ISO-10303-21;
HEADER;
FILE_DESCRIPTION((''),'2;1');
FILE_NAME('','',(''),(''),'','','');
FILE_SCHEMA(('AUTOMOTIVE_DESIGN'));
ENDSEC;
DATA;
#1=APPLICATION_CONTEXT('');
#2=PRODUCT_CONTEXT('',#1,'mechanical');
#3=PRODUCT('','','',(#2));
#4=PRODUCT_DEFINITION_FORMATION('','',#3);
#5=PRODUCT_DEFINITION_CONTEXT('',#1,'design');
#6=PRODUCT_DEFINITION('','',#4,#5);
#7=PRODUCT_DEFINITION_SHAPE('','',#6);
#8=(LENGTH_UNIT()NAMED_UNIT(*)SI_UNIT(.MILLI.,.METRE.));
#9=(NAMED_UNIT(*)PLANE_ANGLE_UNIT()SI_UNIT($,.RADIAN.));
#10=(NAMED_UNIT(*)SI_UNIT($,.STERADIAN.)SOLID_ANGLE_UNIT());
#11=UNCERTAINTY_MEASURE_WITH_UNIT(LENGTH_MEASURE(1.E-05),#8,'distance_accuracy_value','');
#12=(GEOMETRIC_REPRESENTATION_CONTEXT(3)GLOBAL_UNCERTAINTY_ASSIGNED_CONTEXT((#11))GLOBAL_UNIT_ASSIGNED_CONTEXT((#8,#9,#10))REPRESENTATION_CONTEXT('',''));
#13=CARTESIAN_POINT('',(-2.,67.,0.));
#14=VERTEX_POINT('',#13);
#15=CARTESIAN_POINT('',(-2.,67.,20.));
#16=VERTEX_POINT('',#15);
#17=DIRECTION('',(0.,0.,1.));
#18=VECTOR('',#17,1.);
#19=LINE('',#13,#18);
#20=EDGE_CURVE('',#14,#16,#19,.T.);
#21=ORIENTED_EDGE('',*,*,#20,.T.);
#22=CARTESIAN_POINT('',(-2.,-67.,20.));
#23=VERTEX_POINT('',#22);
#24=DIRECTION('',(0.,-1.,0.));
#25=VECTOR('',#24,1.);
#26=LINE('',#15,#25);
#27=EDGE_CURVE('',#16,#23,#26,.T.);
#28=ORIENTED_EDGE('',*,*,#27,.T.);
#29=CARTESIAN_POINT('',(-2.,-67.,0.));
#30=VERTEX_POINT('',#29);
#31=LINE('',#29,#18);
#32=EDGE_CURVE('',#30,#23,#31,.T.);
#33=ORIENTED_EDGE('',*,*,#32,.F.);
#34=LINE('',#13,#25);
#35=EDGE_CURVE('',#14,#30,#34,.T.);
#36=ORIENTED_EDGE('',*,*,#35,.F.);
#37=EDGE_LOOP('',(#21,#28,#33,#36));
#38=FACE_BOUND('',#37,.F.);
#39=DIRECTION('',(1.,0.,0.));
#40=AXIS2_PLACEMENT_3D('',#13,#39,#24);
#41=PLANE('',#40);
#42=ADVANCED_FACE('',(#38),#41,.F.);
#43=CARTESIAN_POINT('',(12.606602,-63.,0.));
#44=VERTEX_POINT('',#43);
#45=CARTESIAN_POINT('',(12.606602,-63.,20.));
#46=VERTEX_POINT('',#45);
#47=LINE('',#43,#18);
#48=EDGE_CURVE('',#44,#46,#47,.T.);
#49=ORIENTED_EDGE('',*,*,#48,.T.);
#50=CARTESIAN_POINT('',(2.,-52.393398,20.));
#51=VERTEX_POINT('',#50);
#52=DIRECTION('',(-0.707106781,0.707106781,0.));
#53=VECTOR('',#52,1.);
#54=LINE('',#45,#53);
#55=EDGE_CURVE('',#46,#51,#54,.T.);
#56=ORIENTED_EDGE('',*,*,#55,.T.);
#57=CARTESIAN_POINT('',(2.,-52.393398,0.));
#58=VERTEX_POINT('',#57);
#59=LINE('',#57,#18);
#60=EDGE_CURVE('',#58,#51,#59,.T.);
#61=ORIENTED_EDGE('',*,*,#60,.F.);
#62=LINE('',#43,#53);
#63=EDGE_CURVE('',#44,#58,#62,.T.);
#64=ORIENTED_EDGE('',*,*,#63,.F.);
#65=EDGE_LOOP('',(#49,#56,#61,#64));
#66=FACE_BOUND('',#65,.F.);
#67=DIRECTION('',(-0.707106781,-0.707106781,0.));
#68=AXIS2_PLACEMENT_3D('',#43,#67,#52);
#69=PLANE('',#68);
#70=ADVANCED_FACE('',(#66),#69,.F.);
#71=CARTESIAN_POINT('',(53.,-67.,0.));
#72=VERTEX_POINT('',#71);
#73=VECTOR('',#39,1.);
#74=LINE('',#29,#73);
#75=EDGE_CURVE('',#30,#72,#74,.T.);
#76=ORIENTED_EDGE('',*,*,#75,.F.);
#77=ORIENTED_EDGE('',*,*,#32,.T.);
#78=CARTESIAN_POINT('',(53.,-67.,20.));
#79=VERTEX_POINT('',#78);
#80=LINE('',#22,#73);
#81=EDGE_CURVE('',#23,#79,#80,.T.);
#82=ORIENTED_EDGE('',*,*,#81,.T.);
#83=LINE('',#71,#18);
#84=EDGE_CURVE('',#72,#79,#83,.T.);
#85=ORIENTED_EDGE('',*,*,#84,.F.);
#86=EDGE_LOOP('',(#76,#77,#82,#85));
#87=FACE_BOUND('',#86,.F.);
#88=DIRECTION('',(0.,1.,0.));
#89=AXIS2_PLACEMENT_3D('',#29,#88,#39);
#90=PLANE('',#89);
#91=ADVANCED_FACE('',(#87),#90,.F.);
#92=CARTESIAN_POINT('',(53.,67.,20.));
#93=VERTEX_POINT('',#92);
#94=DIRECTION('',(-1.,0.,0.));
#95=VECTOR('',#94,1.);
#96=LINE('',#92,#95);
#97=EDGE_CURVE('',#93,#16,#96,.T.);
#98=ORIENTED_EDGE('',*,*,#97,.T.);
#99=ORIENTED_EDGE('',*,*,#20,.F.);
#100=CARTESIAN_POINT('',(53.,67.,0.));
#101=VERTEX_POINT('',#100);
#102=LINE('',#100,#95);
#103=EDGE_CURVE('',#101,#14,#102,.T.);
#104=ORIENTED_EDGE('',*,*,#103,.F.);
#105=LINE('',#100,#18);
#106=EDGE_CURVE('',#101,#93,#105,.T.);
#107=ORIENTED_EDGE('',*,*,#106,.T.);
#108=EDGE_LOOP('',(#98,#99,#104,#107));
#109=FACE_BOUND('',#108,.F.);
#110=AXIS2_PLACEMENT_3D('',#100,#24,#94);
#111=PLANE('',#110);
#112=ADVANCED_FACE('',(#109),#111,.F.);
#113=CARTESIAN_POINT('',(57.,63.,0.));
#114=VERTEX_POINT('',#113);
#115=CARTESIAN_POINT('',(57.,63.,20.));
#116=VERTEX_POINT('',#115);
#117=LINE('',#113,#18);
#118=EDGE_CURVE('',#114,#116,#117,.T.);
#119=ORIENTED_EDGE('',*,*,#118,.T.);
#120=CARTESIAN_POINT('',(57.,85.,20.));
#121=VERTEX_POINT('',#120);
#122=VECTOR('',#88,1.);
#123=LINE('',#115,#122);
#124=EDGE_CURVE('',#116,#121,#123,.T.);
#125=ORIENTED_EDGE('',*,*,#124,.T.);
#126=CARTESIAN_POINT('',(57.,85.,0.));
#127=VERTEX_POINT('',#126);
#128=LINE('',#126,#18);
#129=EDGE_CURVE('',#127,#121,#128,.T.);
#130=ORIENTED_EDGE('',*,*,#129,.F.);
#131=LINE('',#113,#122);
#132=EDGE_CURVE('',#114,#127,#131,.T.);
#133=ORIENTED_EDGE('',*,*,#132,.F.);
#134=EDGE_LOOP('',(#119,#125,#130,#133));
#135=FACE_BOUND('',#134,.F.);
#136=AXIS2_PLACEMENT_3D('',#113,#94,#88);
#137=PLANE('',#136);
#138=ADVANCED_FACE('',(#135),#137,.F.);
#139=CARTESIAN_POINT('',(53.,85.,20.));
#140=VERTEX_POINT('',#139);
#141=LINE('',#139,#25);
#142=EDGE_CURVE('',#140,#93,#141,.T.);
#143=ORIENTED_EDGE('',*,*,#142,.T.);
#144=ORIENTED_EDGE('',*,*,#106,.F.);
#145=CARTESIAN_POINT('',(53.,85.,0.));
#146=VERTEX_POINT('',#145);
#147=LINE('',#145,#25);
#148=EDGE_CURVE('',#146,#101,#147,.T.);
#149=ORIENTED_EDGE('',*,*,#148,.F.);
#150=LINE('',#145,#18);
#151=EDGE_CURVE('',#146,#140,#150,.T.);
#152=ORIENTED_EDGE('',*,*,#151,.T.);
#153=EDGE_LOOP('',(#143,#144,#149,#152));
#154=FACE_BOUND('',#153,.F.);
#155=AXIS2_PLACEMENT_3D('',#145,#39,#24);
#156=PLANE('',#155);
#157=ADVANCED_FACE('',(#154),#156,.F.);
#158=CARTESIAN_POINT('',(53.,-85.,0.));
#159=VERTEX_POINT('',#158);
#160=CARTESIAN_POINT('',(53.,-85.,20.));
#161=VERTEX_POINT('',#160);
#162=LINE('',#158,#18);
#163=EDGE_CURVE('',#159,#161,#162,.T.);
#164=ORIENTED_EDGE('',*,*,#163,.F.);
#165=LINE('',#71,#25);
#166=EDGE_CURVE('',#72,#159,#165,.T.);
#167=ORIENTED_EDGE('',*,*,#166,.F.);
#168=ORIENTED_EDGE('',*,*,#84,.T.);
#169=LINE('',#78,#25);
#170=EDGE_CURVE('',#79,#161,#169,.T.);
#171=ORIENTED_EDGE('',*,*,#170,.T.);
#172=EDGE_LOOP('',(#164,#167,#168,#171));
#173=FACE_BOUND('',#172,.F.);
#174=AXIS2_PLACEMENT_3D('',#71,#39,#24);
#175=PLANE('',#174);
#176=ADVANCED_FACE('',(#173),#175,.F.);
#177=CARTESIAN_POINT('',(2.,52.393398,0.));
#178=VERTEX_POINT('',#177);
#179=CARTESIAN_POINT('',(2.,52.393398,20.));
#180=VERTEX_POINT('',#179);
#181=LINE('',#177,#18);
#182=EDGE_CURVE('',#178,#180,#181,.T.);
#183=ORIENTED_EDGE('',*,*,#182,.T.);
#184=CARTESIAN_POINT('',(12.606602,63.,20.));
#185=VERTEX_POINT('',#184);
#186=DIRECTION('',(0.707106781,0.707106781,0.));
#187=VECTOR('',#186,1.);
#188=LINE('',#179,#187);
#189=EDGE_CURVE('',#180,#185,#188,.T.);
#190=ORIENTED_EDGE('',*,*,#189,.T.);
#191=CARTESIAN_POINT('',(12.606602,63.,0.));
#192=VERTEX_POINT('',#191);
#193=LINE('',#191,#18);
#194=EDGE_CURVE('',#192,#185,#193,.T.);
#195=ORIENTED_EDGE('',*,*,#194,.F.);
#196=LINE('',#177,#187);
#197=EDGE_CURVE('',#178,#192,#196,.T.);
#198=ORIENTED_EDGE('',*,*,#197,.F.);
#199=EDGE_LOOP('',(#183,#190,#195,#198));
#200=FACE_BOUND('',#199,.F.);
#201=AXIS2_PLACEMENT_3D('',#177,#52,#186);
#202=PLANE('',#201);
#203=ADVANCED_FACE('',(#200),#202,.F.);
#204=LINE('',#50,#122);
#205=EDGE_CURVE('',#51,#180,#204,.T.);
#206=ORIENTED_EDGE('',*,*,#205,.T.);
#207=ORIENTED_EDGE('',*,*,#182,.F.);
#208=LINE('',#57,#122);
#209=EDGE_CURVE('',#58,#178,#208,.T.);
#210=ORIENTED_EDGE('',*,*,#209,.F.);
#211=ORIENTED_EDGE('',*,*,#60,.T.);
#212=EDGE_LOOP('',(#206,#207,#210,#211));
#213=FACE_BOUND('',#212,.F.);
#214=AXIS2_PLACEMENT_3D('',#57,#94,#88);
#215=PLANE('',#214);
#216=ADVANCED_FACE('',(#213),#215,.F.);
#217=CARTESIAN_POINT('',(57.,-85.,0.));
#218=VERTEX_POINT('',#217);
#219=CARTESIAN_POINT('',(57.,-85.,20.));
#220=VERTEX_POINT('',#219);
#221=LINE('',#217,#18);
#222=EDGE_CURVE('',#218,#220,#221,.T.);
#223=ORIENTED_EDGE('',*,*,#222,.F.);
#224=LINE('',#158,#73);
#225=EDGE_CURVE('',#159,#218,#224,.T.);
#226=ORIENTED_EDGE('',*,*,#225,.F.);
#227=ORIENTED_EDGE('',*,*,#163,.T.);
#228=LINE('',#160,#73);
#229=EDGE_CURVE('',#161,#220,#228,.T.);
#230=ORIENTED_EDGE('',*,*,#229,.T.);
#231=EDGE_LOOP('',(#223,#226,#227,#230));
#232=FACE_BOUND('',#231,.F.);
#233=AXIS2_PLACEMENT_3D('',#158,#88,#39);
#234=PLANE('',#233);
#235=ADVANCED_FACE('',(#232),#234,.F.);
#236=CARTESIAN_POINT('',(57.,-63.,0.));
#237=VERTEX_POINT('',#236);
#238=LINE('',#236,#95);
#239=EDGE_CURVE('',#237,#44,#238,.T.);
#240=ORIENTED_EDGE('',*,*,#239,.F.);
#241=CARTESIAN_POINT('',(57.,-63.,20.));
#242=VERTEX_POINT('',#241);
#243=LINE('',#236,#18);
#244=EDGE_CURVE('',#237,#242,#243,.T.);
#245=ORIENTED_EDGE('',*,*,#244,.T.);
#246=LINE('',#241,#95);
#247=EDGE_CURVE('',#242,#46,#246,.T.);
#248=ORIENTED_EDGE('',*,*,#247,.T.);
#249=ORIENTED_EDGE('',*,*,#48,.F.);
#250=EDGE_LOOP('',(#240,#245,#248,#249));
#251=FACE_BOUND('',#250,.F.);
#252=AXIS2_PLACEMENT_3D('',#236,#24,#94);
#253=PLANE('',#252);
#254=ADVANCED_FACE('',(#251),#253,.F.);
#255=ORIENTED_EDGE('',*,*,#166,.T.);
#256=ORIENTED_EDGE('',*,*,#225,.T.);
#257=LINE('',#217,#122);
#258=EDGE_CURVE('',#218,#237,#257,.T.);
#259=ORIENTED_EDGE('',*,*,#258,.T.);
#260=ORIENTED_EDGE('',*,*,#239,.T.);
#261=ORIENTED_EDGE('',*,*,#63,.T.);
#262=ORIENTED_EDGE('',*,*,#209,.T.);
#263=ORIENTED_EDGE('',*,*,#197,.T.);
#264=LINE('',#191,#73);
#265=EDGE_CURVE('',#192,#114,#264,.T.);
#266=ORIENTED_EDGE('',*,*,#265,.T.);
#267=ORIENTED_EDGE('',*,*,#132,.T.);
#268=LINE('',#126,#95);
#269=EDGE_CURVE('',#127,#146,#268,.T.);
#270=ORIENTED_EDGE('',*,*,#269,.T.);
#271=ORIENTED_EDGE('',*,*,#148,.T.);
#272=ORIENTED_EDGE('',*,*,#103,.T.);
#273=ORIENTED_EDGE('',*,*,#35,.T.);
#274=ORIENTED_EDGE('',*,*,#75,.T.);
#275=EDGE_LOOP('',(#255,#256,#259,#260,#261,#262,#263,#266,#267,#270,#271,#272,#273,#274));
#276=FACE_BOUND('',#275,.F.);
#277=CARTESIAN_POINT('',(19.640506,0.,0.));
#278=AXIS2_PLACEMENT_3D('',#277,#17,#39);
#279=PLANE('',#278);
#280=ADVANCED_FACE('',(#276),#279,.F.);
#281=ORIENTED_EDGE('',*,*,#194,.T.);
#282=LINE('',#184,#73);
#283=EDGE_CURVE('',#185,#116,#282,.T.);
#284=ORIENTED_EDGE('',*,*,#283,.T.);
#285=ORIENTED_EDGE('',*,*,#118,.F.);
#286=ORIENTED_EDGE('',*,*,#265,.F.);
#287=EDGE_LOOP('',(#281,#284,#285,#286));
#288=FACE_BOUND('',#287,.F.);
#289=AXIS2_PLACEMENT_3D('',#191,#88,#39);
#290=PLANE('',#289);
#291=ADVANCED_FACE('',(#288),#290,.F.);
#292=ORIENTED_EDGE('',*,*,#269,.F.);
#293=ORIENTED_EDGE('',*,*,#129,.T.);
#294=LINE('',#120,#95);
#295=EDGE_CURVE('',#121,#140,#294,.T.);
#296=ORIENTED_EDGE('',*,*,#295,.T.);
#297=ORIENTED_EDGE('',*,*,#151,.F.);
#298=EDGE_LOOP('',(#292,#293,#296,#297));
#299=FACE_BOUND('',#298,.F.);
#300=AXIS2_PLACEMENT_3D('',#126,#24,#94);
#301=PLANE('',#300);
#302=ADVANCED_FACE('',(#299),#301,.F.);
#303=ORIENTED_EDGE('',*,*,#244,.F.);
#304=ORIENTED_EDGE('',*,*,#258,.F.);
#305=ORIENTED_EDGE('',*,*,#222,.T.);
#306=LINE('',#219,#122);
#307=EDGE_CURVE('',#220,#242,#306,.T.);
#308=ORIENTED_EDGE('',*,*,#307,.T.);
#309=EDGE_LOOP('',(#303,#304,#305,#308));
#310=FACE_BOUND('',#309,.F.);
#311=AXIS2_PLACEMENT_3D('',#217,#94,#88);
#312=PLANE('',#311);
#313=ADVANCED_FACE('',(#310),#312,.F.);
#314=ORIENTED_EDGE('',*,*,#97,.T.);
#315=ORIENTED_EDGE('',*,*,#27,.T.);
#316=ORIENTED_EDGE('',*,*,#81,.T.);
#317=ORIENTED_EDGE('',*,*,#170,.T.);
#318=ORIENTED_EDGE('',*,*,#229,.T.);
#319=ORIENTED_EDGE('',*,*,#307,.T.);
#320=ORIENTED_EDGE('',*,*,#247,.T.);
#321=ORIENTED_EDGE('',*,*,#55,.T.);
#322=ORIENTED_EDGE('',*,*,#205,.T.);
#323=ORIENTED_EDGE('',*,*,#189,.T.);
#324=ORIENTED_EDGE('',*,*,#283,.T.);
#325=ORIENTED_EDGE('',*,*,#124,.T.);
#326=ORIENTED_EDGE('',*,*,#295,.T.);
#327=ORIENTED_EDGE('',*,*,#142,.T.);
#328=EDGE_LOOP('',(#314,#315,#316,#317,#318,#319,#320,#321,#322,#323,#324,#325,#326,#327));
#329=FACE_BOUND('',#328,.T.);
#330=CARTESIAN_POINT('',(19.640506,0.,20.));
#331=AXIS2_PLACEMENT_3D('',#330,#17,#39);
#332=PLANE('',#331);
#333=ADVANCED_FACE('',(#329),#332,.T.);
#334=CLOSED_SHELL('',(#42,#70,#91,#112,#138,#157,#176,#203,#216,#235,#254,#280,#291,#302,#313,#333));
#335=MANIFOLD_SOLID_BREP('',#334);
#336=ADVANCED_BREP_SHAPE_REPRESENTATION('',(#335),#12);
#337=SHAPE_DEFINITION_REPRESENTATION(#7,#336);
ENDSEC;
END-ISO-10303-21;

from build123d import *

# Parameters (mm, degrees)
F1_DEPTH = 20


with BuildPart() as f1:
    # F0 (on Top) → F1 (new body)
    with BuildSketch(Plane.XY):
        Polygon((53, 85), (53, 67), (-2, 67), (-2, 0), (-2, -67), (53, -67), (53, -85), (57, -85), (57, -63), (12.606602, -63), (2, -52.393398), (2, -0.5), (2, 52.393398), (12.606602, 63), (57, 63), (57, 85), align=None)
    extrude(amount=F1_DEPTH)


solid = f1.part
